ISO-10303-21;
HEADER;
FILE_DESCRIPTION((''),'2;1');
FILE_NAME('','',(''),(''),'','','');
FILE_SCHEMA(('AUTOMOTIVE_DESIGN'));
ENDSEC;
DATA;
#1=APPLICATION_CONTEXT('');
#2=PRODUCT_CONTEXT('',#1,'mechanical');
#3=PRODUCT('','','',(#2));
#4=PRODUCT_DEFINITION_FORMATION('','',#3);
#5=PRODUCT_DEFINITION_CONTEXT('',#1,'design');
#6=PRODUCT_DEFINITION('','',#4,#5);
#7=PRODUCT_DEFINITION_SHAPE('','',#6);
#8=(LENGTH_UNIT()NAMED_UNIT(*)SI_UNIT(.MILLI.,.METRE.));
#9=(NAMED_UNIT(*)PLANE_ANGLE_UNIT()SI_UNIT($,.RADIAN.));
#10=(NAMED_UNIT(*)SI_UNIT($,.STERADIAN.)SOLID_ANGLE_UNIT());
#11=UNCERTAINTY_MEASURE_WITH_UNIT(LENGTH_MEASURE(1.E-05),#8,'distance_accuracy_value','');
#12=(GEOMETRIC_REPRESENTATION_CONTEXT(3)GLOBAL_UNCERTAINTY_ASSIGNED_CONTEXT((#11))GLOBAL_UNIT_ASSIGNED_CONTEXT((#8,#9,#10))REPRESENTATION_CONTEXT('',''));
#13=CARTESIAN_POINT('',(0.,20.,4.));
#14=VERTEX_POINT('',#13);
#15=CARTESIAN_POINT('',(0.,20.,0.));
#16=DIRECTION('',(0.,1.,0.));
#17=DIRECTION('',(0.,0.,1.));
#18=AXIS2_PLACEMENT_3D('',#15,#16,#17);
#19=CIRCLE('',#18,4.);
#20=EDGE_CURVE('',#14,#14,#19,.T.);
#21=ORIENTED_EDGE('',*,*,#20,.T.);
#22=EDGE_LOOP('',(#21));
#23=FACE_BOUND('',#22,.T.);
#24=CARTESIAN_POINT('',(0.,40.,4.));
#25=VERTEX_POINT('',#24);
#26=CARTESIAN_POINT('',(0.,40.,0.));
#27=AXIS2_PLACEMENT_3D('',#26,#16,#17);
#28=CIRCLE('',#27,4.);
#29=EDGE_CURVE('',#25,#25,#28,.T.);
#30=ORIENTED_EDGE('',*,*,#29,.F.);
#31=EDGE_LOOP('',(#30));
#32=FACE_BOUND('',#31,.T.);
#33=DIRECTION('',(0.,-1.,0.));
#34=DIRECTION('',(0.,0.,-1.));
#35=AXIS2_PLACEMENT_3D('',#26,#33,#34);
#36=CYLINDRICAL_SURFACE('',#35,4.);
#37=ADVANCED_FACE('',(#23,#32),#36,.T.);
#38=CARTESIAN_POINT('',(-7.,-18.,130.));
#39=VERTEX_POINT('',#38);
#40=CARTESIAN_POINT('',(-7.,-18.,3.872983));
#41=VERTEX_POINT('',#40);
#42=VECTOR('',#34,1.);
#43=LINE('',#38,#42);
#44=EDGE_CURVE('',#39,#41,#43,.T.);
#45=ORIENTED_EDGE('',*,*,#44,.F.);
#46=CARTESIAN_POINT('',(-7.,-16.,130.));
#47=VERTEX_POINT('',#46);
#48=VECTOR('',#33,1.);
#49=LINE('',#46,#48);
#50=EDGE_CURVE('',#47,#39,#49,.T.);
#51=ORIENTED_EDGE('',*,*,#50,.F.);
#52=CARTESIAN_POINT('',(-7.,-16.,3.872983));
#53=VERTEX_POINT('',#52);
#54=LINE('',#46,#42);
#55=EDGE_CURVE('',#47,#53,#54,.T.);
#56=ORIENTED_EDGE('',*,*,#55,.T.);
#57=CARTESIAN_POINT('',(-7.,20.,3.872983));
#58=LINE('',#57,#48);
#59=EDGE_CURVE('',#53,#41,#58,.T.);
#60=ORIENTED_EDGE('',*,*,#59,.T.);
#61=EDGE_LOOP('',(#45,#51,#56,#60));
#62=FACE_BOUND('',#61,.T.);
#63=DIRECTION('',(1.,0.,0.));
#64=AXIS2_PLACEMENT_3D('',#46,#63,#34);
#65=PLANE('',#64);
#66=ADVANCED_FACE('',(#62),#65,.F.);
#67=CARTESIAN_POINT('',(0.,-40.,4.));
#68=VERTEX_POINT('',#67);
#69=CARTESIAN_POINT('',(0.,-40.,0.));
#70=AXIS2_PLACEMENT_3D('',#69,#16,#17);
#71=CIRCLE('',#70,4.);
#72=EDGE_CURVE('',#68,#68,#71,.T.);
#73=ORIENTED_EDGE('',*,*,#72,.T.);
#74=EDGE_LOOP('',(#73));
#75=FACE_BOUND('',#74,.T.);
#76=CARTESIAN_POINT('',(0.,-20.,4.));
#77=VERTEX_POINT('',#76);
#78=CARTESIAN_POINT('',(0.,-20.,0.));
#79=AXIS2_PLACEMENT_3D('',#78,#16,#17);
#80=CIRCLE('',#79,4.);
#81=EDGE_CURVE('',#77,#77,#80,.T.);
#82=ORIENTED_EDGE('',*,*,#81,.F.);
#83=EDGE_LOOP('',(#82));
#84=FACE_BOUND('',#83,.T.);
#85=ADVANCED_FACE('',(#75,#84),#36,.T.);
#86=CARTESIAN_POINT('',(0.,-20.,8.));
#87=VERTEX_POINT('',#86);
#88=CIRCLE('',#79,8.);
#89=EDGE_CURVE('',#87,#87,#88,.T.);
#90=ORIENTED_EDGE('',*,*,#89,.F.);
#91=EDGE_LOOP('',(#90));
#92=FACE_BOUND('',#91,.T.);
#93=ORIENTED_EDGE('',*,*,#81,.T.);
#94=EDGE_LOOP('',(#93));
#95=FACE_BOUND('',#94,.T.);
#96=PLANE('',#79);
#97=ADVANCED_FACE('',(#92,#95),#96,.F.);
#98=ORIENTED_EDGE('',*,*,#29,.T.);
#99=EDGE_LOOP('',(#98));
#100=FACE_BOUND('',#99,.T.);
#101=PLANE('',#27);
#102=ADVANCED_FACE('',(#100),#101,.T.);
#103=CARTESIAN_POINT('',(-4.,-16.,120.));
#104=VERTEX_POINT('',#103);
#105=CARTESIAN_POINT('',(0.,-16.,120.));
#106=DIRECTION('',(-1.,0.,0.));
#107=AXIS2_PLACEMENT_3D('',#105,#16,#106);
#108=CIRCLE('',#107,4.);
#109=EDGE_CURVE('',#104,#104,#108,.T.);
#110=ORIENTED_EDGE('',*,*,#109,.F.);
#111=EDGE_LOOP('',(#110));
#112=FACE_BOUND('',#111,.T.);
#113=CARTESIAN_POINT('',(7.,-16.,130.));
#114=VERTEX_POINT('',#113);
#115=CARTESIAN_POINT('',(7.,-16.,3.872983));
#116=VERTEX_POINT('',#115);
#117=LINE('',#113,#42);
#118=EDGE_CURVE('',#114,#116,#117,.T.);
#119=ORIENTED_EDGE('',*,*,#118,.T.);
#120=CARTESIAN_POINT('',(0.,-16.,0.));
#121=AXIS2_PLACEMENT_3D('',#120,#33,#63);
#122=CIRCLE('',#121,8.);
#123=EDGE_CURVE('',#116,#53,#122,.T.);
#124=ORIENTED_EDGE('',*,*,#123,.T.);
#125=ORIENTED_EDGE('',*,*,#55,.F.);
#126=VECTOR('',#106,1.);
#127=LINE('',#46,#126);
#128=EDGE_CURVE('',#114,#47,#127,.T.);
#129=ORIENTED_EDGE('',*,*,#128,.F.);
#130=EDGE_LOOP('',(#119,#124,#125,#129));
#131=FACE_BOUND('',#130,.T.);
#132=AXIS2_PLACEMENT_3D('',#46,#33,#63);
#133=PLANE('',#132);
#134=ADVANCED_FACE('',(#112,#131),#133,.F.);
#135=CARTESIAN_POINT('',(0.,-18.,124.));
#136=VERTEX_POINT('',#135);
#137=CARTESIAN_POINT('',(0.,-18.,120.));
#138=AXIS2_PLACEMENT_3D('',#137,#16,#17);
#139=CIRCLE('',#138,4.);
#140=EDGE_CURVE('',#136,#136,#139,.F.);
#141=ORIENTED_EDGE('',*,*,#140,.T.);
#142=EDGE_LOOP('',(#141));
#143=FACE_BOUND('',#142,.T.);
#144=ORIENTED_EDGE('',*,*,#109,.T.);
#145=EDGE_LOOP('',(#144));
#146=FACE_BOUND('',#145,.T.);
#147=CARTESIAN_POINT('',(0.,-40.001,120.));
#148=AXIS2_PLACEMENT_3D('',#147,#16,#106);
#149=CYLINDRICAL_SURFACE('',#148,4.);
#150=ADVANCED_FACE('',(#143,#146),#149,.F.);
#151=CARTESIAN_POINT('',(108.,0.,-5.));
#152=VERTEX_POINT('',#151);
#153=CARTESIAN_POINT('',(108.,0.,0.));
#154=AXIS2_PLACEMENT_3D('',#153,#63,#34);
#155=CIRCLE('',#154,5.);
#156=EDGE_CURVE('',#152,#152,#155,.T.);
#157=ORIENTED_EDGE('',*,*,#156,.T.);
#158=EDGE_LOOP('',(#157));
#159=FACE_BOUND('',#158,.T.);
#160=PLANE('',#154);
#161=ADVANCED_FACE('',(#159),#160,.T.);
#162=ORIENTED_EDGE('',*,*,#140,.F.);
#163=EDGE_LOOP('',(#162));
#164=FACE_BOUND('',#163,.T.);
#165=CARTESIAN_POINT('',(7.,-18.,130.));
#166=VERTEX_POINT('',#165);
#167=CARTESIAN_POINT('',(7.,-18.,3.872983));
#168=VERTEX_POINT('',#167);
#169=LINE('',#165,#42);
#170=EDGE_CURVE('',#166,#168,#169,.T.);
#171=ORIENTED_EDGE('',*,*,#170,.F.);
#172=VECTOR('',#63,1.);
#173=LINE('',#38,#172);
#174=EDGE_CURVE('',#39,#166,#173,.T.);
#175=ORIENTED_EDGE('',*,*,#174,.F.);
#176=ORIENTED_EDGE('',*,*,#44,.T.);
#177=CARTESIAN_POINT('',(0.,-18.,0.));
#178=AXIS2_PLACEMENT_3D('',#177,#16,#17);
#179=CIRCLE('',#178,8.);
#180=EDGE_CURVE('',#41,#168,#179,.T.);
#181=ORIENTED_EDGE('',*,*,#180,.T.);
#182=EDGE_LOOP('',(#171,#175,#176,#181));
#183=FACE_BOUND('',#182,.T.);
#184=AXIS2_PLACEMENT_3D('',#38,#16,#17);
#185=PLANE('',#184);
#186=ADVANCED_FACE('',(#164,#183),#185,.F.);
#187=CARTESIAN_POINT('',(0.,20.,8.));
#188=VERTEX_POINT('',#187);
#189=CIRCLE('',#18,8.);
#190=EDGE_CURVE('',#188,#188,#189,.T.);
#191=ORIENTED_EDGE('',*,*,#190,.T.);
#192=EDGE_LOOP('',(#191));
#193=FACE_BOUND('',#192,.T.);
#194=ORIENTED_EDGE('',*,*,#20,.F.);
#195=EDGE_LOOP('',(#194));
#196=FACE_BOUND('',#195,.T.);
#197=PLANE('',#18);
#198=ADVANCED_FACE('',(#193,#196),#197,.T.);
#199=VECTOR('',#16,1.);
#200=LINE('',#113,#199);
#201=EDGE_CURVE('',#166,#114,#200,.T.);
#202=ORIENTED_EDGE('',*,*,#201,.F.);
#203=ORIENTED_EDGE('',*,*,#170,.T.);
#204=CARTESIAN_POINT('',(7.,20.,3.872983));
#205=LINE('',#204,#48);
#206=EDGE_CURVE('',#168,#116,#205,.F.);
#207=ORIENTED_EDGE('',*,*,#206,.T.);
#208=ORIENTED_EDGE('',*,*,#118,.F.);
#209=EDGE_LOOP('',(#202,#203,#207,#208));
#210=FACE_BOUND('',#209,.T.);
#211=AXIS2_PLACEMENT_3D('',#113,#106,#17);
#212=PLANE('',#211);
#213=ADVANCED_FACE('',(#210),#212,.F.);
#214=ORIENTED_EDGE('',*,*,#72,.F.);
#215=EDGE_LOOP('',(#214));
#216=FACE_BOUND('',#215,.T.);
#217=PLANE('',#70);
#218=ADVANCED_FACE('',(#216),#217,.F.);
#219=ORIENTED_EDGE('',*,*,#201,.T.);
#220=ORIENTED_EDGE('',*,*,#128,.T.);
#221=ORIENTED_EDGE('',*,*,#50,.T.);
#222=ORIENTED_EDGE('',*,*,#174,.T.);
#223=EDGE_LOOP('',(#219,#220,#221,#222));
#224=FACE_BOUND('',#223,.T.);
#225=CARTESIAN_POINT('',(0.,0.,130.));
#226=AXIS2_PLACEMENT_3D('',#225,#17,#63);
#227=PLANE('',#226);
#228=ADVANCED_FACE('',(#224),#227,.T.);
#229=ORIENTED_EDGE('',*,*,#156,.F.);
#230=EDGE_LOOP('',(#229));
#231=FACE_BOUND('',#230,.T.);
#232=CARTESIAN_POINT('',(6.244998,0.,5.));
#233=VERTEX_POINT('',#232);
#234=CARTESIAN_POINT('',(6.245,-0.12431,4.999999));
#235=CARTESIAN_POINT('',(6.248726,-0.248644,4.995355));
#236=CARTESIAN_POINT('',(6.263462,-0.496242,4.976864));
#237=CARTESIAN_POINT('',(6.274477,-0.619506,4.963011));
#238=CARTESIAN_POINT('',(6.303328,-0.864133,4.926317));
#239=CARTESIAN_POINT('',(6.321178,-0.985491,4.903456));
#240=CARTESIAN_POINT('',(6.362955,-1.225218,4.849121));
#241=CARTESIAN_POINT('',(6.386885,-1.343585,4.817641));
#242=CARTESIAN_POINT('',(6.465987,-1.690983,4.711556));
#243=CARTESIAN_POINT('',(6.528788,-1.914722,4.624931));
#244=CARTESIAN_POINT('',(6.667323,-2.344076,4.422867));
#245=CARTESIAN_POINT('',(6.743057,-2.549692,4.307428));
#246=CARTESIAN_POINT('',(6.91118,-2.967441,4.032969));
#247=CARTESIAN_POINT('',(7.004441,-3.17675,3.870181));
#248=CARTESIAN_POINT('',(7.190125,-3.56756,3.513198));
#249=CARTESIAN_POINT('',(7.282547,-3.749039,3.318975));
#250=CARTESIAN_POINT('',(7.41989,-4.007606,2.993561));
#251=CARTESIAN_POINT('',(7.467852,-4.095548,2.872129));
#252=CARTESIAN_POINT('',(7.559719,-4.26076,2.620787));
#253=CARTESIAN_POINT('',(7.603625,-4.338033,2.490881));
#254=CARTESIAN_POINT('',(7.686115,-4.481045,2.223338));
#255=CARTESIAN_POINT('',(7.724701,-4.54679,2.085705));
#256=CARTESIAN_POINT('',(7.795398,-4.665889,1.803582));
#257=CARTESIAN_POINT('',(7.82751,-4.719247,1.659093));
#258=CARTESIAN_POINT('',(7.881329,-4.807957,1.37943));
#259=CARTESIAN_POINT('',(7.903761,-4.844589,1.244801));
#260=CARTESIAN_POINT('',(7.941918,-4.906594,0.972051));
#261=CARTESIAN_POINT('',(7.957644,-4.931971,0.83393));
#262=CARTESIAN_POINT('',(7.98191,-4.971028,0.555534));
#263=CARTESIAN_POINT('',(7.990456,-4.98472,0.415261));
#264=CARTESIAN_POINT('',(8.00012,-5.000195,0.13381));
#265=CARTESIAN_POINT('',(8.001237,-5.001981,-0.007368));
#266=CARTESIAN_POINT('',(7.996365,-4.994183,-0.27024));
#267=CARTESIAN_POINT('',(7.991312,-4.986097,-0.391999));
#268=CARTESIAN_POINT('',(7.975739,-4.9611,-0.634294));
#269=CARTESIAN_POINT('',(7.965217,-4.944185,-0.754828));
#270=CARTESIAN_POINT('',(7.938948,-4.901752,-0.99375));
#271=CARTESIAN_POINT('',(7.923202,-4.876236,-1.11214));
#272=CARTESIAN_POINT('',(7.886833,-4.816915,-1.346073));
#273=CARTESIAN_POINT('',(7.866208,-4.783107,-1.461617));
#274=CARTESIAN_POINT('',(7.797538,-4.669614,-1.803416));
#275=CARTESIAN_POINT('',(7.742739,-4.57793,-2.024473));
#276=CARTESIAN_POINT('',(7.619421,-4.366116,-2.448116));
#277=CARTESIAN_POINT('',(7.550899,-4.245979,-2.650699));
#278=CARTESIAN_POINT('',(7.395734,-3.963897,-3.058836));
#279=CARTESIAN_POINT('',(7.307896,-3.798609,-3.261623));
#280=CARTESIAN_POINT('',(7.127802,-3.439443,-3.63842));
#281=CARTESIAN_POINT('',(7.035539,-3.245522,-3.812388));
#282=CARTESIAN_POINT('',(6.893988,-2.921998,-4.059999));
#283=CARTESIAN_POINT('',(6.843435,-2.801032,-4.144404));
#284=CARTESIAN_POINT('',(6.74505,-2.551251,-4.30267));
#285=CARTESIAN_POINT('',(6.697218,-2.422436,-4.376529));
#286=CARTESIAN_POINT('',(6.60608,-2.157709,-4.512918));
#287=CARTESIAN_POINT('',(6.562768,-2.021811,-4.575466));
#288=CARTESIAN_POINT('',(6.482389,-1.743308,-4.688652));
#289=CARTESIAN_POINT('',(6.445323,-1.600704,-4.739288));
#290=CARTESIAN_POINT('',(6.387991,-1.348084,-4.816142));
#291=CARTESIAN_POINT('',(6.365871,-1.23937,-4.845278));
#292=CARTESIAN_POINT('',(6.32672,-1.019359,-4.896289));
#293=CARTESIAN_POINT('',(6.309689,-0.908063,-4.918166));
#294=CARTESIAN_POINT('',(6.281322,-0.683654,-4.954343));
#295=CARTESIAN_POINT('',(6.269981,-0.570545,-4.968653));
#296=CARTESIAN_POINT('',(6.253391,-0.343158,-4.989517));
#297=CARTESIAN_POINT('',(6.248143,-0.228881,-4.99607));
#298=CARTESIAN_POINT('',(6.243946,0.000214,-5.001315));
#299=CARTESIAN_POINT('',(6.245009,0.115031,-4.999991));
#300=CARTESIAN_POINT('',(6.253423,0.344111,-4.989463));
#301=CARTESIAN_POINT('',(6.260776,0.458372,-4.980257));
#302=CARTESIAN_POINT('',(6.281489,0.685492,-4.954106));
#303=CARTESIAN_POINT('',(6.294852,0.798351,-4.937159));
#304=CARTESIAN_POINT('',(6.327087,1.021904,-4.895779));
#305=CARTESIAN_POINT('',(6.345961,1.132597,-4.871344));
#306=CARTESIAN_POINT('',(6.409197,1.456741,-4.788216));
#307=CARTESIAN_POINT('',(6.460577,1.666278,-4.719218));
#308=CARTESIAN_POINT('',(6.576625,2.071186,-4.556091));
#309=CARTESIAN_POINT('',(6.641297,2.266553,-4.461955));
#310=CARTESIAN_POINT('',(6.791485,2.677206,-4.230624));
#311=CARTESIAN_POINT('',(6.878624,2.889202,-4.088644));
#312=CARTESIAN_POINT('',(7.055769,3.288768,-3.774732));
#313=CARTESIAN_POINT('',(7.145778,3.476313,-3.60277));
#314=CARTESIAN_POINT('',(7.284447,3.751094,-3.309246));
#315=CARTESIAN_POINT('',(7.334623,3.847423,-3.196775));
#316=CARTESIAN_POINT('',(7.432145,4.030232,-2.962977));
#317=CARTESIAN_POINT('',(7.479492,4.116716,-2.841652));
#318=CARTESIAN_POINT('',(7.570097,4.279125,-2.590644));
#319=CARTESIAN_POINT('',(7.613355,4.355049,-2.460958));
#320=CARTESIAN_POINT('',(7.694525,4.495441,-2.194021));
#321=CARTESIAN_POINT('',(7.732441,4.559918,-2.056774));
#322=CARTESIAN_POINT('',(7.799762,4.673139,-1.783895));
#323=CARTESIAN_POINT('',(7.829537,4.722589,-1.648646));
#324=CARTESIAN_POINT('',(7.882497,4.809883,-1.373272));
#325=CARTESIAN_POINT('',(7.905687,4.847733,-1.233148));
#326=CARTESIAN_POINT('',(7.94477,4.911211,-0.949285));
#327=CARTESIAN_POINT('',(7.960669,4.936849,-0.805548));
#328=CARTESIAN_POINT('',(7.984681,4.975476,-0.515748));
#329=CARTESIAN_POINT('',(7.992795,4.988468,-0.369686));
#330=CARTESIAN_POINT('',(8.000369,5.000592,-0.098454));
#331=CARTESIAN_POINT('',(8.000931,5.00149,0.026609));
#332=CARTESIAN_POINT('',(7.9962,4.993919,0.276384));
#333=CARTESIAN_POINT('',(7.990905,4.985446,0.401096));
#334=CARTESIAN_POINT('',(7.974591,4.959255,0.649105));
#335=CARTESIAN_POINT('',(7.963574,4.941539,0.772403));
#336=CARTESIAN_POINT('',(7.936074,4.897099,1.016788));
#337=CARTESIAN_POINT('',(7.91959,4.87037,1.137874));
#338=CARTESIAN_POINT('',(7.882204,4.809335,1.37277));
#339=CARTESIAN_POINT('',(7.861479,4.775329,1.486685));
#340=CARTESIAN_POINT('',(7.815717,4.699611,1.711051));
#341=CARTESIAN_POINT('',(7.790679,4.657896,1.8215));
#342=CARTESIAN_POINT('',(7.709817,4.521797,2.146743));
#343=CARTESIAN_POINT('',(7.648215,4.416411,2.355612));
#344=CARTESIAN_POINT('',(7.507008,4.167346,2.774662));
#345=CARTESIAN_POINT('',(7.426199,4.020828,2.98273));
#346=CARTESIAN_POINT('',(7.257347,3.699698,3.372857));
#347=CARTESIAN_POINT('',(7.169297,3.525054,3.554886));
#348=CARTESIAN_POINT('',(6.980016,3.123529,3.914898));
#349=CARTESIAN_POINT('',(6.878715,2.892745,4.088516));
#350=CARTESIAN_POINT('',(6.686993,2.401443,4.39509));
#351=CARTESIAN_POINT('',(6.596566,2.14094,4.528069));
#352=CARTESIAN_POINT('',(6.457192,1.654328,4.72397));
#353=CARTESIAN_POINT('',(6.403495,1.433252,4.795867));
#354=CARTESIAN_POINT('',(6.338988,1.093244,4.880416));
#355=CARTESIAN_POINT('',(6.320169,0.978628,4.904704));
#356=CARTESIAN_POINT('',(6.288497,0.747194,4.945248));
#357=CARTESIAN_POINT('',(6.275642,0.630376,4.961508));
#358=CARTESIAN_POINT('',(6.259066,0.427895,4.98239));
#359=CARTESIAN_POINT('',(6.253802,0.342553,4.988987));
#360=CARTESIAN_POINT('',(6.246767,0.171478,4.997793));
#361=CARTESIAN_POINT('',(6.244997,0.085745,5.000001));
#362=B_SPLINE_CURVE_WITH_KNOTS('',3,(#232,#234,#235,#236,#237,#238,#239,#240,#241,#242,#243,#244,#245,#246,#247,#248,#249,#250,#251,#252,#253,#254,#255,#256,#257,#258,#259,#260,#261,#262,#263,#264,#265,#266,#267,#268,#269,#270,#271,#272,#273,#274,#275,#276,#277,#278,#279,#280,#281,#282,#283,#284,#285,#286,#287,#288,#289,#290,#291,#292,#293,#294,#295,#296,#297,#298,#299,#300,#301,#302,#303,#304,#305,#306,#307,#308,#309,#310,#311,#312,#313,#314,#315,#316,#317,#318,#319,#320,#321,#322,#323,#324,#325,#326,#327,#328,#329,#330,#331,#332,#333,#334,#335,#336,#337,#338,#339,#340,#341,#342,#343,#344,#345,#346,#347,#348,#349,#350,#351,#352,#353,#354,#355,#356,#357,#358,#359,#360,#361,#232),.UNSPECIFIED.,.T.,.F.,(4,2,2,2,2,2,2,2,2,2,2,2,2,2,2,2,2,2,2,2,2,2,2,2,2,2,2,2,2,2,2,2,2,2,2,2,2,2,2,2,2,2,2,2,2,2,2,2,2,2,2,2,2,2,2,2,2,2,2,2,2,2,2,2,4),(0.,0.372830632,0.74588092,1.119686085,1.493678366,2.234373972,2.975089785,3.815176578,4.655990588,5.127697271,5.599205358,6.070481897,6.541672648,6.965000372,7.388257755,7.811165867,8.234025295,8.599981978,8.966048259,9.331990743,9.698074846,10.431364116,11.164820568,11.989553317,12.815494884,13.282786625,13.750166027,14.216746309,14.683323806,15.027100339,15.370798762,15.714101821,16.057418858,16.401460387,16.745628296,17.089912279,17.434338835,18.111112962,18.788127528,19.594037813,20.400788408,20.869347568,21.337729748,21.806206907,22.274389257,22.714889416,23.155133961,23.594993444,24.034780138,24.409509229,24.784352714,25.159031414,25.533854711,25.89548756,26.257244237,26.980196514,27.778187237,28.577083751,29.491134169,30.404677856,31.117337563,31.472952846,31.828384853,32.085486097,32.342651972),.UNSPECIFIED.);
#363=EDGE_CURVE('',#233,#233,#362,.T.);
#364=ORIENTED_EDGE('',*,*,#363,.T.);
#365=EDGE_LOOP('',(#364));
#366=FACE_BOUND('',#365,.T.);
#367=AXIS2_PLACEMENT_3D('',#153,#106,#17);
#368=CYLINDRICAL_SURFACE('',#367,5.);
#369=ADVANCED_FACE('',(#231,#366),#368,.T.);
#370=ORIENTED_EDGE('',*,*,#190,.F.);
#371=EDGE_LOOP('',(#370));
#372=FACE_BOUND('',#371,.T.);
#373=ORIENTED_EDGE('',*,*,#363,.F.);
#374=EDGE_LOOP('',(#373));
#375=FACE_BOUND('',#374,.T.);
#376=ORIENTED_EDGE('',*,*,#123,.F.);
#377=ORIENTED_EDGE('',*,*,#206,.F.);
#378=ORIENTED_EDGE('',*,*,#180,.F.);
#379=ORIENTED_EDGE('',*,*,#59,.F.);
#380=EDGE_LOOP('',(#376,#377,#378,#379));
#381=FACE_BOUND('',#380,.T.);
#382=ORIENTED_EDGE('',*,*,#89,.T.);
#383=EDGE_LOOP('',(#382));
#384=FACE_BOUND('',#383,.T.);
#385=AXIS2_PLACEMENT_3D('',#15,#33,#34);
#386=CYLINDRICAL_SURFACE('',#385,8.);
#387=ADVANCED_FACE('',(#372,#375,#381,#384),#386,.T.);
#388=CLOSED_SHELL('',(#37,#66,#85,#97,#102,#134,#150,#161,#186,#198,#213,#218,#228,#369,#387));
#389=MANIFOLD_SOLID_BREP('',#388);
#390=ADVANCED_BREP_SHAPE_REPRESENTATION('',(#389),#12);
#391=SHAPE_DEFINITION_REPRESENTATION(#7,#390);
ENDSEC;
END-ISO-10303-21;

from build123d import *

# Parameters (mm, degrees)
SKETCH1_R           = 4
BOSS_EXTRUDE1_DEPTH = 40
SKETCH3_R           = 8
BOSS_EXTRUDE2_DEPTH = 20
SKETCH4_R           = 5
BOSS_EXTRUDE3_DEPTH = 108
SKETCH5_W           = 14
SKETCH5_H           = 2
BOSS_EXTRUDE4_DEPTH = 130
CUT_EXTRUDE1_REACH  = 26
SKETCH6_R           = 4


with BuildPart() as part:
    # Sketch1 → Boss-Extrude1 (new body, symmetric)
    with BuildSketch(Plane(origin=(0, 0, 0), x_dir=(1, 0, 0), z_dir=(0, 1, 0))):
        Circle(SKETCH1_R)
    extrude(amount=BOSS_EXTRUDE1_DEPTH, both=True)

    # Sketch3 → Boss-Extrude2 (add, symmetric)
    with BuildSketch(Plane(origin=(0, 0, 0), x_dir=(1, 0, 0), z_dir=(0, 1, 0))):
        Circle(SKETCH3_R)
    extrude(amount=BOSS_EXTRUDE2_DEPTH, both=True)

    # Sketch4 → Boss-Extrude3 (add)
    with BuildSketch(Plane(origin=(0, 0, 0), x_dir=(0, 0, -1), z_dir=(1, 0, 0))):
        Circle(SKETCH4_R)
    extrude(amount=BOSS_EXTRUDE3_DEPTH)

    # Sketch5 → Boss-Extrude4 (add)
    with BuildSketch(Plane.XY):
        with Locations((0, -17)):
            Rectangle(SKETCH5_W, SKETCH5_H)
    extrude(amount=BOSS_EXTRUDE4_DEPTH)

    # Sketch6 → Cut-Extrude1 (cut, up to next)
    with BuildSketch(Plane(origin=(0, -16, 0), x_dir=(1, 0, 0), z_dir=(0, 1, 0)), mode=Mode.PRIVATE) as cut_extrude1_sk1:
        with Locations((0, -120)):
            Circle(SKETCH6_R)
    cut_extrude1_tool1 = extrude(cut_extrude1_sk1.sketch, amount=-CUT_EXTRUDE1_REACH, mode=Mode.PRIVATE) & part.part
    add(cut_extrude1_tool1.solids().sort_by_distance((0, -16, 120))[0], mode=Mode.SUBTRACT)


solid = part.part
